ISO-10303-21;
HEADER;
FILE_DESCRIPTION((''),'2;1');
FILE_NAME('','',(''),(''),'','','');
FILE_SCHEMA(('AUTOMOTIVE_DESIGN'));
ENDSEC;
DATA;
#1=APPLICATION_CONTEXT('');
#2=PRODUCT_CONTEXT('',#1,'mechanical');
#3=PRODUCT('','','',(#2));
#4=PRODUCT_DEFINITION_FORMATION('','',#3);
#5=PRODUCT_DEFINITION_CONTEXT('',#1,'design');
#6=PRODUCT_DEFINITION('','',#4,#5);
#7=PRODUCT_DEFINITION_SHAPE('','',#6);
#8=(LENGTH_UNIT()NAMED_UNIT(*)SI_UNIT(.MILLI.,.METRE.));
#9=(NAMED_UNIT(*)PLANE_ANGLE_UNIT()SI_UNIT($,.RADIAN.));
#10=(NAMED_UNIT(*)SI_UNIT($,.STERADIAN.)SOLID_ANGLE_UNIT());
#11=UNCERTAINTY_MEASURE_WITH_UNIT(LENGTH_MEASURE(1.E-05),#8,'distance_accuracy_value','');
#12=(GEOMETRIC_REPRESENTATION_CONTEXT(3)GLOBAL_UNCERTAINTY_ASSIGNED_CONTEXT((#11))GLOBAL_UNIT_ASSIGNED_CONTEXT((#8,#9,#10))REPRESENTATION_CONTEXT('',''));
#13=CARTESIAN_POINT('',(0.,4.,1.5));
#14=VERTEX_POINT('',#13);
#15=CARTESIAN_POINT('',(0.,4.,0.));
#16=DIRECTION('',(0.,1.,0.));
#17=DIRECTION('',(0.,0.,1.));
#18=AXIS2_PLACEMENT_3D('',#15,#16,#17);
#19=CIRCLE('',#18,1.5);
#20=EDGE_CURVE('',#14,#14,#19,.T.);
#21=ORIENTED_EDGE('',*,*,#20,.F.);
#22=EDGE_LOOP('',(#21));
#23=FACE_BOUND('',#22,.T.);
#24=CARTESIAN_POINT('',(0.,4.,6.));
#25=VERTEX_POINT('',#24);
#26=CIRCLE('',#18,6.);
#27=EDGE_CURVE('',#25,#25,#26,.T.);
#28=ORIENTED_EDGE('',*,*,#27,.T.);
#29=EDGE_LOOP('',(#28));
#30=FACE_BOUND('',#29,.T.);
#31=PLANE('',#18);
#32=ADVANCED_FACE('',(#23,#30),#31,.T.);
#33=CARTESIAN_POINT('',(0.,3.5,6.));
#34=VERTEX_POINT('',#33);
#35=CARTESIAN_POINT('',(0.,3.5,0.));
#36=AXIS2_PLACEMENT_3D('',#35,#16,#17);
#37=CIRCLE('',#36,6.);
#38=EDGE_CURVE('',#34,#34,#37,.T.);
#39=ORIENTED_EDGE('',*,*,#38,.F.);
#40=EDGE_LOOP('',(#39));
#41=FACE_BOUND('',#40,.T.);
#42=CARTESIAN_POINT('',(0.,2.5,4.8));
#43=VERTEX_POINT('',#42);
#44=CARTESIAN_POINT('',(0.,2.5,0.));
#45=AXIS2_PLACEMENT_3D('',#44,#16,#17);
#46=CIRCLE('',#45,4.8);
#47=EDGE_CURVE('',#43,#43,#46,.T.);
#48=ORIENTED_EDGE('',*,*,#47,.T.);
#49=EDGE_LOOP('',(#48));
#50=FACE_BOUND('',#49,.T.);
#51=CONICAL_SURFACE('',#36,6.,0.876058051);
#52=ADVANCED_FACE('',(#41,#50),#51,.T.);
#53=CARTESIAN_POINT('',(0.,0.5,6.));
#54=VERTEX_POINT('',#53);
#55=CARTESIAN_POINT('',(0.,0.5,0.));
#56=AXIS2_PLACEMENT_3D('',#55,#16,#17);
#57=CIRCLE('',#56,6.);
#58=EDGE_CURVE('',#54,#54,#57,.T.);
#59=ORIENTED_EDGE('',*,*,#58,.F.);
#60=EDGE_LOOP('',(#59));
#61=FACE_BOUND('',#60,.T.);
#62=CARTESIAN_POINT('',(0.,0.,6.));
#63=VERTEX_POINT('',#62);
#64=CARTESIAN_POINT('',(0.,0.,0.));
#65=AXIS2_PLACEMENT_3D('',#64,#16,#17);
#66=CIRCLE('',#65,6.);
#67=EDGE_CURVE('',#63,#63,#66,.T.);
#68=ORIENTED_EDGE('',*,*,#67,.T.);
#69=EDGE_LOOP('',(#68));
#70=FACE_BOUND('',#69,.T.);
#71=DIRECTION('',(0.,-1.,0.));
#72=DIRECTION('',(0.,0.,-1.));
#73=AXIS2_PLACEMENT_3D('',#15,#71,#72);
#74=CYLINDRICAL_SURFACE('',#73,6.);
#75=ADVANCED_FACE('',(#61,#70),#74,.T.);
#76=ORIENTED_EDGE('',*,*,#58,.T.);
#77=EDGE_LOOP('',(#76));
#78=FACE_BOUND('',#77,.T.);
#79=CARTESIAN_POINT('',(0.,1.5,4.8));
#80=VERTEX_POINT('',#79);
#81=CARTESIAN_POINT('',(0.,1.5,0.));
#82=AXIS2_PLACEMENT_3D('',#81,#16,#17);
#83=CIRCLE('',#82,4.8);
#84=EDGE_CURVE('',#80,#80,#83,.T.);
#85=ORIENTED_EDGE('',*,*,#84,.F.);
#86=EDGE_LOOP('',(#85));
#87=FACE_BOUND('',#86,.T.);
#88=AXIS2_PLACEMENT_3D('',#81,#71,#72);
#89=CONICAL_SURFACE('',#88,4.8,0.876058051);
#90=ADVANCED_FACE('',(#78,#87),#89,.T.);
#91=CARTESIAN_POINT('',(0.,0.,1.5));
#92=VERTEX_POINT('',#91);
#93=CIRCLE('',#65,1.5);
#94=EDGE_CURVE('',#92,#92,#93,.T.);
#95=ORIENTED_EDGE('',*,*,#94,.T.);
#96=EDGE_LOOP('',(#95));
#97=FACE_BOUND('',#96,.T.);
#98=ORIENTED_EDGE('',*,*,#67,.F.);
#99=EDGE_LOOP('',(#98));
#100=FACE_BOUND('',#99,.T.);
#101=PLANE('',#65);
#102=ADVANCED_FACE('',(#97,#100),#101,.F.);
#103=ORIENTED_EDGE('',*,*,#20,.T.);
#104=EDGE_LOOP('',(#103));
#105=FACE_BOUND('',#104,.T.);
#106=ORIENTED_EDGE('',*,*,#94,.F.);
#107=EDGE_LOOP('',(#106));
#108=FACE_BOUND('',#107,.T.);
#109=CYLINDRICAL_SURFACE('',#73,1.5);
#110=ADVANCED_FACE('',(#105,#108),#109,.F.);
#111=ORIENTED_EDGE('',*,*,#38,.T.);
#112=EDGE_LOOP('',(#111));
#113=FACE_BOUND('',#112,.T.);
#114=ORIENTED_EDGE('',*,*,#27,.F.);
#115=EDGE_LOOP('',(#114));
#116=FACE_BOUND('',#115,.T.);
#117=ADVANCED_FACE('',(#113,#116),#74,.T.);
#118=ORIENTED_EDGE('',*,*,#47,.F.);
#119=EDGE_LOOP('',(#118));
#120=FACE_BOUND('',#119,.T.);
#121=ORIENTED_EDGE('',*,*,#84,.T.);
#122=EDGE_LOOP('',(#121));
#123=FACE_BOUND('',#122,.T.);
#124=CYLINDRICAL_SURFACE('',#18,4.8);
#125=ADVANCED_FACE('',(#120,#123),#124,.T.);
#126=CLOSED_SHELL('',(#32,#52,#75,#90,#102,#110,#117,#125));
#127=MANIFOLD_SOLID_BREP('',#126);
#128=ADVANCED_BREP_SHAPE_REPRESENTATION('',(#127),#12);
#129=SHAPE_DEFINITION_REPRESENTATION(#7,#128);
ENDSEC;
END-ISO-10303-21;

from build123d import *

# Parameters (mm, degrees)
SKETCH1_R       = 6
SKETCH1_R_2     = 1.5
MAIN_BODY_DEPTH = 4


with BuildPart() as part:
    # Sketch1 → Main Body (new body)
    with BuildSketch(Plane(origin=(0, 0, 0), x_dir=(1, 0, 0), z_dir=(0, 1, 0))):
        Circle(SKETCH1_R)
        Circle(SKETCH1_R_2, mode=Mode.SUBTRACT)
    extrude(amount=MAIN_BODY_DEPTH)

    # Sketch6 → Tendon Guide (revolve, cut)
    with BuildSketch(Plane.XY):
        Polygon((6, 0.5), (6, 3.5), (4.8, 2.5), (4.8, 1.5), align=None)
    revolve(axis=Axis((0, 4, 0), (0, -1, 0)), mode=Mode.SUBTRACT)


solid = part.part
